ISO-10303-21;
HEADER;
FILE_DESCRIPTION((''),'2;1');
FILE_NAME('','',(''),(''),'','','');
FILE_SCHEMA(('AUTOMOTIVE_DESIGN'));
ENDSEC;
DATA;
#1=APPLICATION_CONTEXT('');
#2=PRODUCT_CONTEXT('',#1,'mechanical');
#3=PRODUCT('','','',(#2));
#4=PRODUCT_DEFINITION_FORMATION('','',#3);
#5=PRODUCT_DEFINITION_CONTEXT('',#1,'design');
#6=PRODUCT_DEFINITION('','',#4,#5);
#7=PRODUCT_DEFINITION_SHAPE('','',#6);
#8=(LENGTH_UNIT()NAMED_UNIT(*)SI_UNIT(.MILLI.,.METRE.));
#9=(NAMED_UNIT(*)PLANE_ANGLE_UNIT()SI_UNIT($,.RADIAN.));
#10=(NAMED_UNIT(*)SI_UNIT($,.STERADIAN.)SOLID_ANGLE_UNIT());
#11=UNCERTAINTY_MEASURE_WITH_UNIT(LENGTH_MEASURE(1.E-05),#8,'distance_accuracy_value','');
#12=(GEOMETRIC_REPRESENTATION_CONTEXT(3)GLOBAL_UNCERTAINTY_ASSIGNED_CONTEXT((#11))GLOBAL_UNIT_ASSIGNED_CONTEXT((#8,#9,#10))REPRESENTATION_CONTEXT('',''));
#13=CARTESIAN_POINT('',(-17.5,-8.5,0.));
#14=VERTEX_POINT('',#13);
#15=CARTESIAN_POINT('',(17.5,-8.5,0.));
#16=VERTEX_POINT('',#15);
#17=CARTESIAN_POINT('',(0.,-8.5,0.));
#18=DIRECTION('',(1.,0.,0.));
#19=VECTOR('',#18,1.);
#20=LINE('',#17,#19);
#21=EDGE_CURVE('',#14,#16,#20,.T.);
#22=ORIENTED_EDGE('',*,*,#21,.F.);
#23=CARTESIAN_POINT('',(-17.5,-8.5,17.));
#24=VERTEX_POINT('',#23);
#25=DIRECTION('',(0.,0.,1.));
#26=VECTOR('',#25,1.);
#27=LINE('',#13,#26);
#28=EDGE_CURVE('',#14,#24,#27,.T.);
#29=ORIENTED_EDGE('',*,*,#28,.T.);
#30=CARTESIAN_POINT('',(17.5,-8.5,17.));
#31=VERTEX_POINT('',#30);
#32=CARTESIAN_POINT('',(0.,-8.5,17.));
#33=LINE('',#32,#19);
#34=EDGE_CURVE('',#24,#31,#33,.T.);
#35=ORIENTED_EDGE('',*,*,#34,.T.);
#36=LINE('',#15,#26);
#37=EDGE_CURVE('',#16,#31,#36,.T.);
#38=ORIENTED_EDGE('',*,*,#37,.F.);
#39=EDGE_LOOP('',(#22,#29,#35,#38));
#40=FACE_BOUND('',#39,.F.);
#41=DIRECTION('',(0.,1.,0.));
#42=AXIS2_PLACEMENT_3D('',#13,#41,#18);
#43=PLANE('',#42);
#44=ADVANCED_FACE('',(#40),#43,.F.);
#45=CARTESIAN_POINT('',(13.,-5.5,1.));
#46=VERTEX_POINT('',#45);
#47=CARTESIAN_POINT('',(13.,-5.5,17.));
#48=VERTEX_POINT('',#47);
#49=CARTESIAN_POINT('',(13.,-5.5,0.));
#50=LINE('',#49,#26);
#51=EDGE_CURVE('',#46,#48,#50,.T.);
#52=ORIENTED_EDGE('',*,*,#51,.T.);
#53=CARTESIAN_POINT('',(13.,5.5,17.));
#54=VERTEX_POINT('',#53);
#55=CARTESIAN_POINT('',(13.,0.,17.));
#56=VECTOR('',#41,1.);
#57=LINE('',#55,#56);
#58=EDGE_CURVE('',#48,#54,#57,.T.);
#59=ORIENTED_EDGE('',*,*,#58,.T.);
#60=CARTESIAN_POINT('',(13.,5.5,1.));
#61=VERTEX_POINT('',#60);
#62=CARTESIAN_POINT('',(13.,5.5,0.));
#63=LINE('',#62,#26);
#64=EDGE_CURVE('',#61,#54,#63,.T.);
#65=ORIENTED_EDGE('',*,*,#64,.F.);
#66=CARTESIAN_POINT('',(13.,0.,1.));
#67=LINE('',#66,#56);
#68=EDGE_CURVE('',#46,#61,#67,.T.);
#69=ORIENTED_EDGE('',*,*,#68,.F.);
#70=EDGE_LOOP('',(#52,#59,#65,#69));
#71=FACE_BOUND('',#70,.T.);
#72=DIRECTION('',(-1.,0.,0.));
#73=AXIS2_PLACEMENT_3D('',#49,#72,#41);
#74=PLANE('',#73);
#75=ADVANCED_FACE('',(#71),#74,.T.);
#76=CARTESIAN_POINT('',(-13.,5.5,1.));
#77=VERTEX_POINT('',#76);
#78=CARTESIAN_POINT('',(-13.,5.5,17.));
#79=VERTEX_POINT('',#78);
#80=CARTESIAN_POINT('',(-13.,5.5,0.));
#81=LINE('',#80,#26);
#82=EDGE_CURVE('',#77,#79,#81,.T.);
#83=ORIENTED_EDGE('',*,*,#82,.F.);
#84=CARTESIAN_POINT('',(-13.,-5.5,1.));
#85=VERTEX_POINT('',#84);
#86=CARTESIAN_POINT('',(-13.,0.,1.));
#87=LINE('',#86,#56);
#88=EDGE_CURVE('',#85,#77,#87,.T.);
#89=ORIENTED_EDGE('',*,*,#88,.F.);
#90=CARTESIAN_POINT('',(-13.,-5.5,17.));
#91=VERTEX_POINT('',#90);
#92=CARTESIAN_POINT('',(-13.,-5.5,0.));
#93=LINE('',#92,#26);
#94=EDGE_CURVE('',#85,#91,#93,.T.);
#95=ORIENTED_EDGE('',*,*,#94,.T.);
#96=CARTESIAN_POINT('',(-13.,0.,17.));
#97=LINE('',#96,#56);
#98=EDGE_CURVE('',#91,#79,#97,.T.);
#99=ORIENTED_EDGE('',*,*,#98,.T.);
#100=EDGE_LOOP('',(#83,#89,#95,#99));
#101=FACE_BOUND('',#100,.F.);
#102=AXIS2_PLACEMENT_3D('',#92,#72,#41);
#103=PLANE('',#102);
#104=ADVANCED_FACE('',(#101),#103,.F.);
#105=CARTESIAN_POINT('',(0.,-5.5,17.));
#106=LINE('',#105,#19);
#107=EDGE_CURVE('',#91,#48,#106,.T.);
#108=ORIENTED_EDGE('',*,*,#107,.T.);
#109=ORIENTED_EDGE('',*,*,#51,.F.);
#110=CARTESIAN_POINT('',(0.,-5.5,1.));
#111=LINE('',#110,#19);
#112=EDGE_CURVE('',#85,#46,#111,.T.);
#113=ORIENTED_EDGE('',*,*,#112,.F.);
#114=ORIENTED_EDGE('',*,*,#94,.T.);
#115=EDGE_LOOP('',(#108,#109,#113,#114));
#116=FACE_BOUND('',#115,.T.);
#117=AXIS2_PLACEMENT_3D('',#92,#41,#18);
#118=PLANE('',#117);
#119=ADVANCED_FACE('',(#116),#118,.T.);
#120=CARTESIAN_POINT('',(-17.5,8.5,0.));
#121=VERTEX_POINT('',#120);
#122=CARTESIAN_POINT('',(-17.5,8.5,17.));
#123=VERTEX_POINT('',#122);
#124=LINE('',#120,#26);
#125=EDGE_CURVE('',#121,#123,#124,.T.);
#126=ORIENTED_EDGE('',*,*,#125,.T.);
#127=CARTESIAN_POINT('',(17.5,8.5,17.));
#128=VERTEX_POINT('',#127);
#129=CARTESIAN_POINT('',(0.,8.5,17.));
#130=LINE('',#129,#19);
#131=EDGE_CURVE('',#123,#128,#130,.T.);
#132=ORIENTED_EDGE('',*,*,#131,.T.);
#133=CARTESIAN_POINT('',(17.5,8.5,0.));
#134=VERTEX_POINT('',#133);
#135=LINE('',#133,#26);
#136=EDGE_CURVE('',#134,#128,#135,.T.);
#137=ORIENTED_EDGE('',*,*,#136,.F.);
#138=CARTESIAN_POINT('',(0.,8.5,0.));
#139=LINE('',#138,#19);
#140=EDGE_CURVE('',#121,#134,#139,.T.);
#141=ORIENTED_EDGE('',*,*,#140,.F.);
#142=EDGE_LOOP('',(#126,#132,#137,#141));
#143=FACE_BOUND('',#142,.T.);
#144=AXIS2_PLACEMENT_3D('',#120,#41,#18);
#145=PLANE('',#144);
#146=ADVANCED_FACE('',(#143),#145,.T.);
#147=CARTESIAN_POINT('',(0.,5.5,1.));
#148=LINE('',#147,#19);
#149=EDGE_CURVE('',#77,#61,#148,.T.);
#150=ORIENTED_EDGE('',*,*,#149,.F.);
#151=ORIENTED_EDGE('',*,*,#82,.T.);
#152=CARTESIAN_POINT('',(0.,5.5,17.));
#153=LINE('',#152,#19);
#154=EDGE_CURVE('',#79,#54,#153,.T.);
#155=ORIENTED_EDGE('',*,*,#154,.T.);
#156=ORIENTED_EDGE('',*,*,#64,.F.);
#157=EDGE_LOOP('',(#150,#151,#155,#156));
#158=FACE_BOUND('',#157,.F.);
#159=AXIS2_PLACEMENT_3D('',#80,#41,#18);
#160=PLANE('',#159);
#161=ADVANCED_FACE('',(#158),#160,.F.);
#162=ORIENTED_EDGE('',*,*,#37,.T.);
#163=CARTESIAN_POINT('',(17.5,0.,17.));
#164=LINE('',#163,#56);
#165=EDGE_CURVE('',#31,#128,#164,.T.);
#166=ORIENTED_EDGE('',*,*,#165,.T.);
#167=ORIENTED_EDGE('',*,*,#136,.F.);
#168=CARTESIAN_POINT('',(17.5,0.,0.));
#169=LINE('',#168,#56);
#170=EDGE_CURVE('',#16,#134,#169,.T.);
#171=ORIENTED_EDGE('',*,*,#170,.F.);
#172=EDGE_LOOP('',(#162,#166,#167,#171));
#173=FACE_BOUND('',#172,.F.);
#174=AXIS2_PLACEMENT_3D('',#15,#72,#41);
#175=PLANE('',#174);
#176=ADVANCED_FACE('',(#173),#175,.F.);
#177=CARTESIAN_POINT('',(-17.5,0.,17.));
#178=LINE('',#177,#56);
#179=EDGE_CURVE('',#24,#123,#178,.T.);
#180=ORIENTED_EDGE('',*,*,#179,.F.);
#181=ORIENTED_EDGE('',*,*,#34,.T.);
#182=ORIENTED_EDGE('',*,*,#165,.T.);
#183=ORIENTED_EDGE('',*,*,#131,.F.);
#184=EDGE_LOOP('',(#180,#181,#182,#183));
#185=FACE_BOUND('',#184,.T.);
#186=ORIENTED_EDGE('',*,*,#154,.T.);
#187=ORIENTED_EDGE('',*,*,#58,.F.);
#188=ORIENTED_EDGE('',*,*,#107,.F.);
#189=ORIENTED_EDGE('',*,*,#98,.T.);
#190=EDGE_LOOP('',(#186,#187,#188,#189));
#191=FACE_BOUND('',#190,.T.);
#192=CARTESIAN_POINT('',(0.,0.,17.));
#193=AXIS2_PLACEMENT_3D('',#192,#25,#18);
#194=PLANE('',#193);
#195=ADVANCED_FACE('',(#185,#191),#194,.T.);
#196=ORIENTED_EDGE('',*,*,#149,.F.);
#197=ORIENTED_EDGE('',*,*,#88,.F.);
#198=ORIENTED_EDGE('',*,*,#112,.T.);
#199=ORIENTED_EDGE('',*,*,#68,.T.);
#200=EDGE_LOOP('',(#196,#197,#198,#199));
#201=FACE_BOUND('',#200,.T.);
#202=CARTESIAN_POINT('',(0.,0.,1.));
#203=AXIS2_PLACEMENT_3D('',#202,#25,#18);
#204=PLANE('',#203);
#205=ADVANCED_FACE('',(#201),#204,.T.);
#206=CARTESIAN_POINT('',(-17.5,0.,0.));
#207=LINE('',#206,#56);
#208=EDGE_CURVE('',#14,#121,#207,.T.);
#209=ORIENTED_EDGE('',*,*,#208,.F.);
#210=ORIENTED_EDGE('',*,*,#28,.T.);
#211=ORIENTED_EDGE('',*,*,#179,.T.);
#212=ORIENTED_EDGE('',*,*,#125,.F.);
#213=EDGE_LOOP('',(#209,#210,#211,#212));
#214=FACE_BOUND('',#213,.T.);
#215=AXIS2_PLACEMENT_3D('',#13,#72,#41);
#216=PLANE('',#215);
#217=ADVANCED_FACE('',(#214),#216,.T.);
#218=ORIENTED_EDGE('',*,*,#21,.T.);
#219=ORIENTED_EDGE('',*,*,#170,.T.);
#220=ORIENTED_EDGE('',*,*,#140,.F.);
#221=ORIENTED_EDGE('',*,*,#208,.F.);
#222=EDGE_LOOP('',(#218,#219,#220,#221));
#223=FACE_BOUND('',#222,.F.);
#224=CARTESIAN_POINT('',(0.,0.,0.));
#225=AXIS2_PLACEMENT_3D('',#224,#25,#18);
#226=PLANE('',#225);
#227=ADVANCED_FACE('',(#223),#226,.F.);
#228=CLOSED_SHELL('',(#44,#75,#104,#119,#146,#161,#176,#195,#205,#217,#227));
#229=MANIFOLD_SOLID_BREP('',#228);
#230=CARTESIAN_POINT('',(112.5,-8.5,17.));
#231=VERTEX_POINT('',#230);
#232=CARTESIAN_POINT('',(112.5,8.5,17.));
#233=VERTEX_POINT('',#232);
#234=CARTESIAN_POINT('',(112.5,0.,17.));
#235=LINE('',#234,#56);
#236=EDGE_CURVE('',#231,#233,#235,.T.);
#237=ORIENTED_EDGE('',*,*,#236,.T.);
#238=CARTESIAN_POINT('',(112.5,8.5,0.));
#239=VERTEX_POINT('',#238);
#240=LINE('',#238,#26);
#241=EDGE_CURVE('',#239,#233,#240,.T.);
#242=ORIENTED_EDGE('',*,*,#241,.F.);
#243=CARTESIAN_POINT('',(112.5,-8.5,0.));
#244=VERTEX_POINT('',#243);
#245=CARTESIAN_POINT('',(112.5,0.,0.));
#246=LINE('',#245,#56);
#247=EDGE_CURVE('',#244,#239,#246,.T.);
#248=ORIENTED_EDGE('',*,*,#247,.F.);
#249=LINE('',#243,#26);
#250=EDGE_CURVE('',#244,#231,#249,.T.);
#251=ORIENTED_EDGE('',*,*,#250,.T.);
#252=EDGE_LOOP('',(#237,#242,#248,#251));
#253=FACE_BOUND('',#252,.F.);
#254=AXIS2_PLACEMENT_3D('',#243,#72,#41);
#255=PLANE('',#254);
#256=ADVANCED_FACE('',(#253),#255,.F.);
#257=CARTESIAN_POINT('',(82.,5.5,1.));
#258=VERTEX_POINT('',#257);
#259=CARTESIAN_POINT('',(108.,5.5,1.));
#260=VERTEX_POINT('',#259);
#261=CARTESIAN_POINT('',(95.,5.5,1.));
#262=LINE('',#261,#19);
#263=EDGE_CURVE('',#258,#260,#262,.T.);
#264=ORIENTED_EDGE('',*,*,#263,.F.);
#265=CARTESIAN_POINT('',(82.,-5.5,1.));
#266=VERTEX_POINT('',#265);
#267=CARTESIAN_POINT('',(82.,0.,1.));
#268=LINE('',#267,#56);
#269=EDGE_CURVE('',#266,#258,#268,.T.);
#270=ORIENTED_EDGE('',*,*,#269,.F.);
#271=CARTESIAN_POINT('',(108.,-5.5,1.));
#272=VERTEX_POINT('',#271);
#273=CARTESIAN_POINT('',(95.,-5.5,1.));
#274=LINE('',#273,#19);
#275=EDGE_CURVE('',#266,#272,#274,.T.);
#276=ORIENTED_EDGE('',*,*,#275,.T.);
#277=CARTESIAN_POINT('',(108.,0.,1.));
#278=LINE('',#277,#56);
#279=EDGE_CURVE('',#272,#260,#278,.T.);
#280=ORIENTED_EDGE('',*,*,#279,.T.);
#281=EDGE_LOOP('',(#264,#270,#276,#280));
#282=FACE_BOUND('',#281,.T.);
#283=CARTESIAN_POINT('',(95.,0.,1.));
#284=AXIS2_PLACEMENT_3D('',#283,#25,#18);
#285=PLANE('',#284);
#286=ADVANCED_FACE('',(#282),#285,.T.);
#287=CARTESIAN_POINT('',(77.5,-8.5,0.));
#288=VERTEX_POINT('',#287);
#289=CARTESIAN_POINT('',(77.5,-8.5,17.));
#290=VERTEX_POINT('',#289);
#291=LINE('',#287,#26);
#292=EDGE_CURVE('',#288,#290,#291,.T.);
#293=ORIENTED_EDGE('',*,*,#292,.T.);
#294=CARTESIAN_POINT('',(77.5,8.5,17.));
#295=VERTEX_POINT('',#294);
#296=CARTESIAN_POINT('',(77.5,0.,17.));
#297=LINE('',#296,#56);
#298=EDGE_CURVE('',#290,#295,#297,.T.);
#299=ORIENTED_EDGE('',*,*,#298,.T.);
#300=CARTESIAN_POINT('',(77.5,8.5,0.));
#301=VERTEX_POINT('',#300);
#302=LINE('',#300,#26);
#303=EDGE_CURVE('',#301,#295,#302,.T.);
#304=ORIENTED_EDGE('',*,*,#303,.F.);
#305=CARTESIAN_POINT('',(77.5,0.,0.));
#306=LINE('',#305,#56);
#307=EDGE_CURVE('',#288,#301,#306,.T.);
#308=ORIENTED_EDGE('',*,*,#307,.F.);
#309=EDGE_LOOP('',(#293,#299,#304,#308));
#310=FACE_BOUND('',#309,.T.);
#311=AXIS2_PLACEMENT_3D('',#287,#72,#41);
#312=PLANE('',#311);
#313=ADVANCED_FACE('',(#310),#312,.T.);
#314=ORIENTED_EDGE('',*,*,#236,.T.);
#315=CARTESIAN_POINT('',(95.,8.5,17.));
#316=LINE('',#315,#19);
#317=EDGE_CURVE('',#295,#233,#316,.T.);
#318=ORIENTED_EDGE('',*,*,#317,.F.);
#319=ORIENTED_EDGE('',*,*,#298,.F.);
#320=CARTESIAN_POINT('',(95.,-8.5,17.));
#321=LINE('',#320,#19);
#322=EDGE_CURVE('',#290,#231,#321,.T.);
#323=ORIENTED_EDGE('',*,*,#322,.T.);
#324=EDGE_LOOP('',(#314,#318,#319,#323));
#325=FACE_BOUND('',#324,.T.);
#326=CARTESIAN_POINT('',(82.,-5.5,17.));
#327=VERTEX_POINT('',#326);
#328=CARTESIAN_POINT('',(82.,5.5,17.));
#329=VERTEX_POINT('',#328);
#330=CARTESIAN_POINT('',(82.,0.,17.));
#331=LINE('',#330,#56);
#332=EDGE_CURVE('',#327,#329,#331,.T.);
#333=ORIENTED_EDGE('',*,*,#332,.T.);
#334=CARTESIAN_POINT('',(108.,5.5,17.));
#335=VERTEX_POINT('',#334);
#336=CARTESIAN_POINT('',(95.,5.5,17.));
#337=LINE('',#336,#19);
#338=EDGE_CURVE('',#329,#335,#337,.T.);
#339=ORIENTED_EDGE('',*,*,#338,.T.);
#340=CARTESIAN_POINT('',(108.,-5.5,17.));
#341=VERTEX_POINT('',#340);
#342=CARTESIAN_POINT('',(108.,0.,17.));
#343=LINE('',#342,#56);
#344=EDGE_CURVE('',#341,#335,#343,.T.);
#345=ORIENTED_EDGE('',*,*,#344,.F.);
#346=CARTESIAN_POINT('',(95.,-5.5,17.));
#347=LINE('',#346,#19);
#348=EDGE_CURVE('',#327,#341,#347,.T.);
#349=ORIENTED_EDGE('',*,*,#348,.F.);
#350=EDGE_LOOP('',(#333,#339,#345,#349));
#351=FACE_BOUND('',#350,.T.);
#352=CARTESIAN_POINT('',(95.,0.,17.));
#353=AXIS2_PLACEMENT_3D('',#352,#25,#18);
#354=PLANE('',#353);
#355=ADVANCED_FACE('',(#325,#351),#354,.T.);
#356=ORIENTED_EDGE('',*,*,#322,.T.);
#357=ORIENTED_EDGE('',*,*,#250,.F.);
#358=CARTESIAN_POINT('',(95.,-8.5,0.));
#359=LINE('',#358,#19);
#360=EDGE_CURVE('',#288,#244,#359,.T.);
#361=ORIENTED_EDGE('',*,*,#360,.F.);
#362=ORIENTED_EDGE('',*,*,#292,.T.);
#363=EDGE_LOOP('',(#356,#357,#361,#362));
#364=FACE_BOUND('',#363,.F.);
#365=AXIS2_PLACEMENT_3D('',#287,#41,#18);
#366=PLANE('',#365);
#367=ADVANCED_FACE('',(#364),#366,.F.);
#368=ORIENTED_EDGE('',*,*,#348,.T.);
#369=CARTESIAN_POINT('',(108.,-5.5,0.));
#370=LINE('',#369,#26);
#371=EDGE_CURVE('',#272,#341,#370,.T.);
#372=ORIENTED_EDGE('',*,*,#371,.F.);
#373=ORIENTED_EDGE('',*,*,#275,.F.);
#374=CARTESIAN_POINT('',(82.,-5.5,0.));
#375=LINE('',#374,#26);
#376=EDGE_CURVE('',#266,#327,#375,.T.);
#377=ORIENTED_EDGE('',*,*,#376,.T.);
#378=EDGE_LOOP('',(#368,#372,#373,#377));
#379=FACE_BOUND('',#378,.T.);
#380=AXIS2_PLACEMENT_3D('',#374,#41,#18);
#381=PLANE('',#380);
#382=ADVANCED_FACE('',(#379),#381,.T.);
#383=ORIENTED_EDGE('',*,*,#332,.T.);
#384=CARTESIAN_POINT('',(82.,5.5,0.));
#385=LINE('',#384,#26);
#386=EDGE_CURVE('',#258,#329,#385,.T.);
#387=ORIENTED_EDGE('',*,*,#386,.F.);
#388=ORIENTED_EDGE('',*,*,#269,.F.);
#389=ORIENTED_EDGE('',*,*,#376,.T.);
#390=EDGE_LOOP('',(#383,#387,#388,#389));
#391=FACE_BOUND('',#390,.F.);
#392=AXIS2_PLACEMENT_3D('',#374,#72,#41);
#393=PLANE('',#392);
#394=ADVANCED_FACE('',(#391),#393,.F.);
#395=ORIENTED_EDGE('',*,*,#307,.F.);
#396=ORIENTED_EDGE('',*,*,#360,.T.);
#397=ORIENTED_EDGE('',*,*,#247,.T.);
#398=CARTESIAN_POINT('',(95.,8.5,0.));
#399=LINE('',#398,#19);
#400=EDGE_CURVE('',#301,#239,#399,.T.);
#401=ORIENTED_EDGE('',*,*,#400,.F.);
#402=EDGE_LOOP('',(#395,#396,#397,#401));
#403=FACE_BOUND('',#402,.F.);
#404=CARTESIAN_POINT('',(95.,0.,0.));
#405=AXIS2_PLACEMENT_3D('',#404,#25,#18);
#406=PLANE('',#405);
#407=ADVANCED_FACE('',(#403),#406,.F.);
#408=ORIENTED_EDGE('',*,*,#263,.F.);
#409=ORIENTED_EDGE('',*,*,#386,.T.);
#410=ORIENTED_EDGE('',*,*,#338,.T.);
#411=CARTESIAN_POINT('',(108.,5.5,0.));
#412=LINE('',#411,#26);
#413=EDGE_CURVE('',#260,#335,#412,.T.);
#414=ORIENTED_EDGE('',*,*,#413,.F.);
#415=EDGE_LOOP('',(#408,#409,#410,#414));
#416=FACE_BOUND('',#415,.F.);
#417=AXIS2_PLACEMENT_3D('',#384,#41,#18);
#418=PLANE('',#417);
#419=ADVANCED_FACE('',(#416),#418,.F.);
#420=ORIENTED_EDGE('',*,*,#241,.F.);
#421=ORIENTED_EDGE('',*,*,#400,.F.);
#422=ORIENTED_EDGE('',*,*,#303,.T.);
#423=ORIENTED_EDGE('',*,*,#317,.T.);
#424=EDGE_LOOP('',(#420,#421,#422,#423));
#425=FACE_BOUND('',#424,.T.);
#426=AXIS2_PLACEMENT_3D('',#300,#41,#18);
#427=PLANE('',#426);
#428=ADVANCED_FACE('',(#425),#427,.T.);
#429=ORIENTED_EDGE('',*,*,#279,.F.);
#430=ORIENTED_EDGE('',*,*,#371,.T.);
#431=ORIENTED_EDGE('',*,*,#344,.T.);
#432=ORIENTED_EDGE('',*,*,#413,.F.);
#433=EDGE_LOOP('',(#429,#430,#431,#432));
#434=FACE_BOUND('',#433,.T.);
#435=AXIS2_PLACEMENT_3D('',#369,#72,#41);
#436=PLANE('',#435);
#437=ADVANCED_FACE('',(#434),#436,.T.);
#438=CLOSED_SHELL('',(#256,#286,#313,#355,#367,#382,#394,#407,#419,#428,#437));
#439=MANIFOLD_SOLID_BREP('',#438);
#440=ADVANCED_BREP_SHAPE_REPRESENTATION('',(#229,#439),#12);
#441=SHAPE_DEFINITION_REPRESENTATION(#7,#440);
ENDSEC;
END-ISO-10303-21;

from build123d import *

# Parameters (mm, degrees)
F0_W     = 26
F0_H     = 11
F1_DEPTH = 1
F0_W_2   = 35
F0_H_2   = 17
F2_DEPTH = 17
F3_DEPTH = 1
F4_DEPTH = 17


with BuildPart() as f1:
    # F0 (on Top) → F1 (new body)
    with BuildSketch(Plane.XY):
        Rectangle(F0_W, F0_H)
    extrude(amount=F1_DEPTH)

    # F0 (on Top) → F2 (join)
    with BuildSketch(Plane.XY):
        Rectangle(F0_W_2, F0_H_2)
        Rectangle(F0_W, F0_H, mode=Mode.SUBTRACT)
    extrude(amount=F2_DEPTH)


with BuildPart() as f3:
    # F0 (on Top) → F3 (new body)
    with BuildSketch(Plane.XY):
        with Locations((95, 0)):
            Rectangle(F0_W, F0_H)
    extrude(amount=F3_DEPTH)

    # F0 (on Top) → F4 (join)
    with BuildSketch(Plane.XY):
        with Locations((95, 0)):
            Rectangle(F0_W_2, F0_H_2)
        with Locations((95, 0)):
            Rectangle(F0_W, F0_H, mode=Mode.SUBTRACT)
    extrude(amount=F4_DEPTH)


solid = Compound([f1.part, f3.part])
